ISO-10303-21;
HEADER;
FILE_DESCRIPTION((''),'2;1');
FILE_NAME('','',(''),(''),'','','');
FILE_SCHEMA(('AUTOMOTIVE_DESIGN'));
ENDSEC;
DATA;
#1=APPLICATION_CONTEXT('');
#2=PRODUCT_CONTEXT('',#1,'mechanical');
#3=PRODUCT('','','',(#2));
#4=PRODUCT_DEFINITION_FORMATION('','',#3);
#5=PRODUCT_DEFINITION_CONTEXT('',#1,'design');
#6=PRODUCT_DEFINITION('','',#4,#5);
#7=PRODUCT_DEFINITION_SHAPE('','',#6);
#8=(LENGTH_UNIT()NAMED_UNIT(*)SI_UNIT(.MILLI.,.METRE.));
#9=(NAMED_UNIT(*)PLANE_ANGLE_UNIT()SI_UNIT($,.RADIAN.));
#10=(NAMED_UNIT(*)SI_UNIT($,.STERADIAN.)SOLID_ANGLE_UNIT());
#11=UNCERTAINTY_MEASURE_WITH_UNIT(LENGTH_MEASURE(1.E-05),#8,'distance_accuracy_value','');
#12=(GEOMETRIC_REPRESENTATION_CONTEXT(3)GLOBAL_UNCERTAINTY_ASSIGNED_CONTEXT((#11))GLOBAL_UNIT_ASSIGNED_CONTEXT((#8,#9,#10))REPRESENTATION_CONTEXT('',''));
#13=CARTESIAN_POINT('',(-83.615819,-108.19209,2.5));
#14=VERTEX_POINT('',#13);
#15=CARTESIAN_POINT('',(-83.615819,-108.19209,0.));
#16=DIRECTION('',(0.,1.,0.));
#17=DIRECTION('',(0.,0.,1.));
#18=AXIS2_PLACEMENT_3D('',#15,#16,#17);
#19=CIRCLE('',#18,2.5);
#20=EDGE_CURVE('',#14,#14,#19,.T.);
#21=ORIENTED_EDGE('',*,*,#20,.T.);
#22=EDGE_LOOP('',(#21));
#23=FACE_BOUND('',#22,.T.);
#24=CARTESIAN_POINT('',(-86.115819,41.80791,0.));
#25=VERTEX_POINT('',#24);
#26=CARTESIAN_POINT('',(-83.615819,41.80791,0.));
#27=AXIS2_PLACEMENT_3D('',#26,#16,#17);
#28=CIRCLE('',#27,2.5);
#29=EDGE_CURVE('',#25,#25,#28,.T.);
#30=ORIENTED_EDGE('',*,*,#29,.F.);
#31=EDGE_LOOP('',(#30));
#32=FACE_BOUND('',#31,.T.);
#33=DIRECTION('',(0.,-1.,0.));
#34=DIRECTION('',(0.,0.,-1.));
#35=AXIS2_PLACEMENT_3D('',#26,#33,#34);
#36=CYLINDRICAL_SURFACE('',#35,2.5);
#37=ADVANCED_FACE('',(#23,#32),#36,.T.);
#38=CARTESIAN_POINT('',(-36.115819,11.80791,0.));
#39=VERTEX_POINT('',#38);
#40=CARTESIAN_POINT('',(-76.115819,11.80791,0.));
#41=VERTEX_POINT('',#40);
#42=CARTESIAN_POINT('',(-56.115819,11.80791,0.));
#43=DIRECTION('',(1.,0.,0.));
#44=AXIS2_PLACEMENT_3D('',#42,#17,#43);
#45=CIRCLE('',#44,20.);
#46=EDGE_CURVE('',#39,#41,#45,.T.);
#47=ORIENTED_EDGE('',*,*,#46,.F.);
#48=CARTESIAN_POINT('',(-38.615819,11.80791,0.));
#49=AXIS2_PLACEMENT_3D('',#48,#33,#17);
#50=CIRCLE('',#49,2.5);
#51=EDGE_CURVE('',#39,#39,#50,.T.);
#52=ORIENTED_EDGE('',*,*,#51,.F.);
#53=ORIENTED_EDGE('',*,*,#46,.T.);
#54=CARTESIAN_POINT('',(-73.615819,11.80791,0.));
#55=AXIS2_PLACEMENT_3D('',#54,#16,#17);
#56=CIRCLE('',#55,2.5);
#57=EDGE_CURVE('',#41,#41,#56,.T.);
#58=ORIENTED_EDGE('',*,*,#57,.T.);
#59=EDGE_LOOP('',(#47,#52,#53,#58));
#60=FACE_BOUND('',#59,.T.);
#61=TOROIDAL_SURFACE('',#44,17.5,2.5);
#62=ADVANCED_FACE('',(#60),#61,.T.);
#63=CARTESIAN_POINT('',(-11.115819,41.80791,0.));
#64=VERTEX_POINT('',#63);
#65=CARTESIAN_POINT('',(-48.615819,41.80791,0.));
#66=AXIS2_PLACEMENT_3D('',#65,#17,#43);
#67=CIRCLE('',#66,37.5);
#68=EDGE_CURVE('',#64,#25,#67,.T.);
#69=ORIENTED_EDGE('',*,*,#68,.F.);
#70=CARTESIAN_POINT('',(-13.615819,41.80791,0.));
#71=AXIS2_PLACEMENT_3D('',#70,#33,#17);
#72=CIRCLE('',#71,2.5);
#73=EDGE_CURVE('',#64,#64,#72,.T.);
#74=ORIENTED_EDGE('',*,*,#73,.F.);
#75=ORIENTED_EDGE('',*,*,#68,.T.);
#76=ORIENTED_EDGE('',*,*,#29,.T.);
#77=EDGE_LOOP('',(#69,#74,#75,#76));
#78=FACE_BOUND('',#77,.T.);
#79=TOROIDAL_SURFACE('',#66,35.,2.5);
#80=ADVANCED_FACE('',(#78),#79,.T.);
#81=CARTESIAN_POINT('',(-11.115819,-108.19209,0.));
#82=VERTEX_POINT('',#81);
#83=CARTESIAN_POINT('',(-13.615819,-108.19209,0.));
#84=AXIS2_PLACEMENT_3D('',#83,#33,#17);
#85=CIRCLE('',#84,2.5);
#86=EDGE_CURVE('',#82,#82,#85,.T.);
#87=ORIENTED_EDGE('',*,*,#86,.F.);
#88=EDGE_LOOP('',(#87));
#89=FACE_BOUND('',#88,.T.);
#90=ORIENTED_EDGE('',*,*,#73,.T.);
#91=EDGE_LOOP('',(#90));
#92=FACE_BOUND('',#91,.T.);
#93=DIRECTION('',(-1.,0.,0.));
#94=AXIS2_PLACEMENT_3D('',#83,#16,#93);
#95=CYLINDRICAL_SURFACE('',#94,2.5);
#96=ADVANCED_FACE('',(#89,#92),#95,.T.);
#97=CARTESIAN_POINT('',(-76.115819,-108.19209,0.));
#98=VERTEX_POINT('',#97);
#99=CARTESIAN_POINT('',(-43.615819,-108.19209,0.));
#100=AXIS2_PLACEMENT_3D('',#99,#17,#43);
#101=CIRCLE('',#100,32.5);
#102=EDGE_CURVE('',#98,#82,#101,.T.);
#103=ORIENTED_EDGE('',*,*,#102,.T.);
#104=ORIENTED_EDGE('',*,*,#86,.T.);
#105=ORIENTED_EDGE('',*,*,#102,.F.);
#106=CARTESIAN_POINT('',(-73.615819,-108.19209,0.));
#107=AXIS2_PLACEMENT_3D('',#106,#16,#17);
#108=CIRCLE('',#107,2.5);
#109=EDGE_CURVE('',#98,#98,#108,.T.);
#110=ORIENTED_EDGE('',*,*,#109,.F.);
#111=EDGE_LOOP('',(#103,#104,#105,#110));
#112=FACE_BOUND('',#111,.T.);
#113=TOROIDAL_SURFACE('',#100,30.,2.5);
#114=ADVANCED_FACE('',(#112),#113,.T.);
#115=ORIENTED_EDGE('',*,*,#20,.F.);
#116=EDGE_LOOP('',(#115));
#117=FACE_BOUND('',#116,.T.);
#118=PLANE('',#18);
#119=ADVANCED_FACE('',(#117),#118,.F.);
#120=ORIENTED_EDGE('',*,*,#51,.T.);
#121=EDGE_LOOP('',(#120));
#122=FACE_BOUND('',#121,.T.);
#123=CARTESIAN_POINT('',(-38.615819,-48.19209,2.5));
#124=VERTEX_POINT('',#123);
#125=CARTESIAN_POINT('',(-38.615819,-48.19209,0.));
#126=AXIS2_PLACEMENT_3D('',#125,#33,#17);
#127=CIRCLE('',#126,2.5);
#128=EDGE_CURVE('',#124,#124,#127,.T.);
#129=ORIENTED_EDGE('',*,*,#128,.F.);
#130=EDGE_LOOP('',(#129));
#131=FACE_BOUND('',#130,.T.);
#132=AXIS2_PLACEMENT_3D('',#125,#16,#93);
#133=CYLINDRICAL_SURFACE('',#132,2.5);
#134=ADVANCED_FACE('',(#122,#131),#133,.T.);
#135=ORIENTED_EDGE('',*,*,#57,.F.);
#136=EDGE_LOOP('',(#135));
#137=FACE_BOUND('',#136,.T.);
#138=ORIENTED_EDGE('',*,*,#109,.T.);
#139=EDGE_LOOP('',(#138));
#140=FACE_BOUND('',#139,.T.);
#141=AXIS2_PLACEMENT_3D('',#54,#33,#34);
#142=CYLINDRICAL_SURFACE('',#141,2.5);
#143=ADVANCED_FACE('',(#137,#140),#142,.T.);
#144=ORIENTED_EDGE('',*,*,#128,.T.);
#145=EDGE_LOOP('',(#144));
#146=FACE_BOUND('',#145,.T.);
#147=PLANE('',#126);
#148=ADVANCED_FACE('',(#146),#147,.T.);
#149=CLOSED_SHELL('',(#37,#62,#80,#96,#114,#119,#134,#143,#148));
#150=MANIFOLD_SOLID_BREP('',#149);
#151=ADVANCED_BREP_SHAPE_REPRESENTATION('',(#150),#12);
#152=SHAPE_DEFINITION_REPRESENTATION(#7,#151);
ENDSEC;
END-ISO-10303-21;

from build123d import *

# Parameters (mm, degrees)
SWEEP2_PROFILE_R = 2.5


with BuildPart() as part:
    # Sweep2: sweep along a path in Sketch2
    with BuildLine(Plane.XY) as sweep2_path:
        Line((-83.615819209, -108.192090395), (-83.615819209, 41.807909605))
        ThreePointArc((-83.615819209, 41.807909605), (-48.615819209, 76.807909605), (-13.615819209, 41.807909605))
        Line((-13.615819209, 41.807909605), (-13.615819209, -108.192090395))
        ThreePointArc((-13.615819209, -108.192090395), (-43.615819209, -138.192090395), (-73.615819209, -108.192090395))
        Line((-73.615819209, -108.192090395), (-73.615819209, 11.807909605))
        ThreePointArc((-73.615819209, 11.807909605), (-56.115819209, 29.307909605), (-38.615819209, 11.807909605))
        Line((-38.615819209, 11.807909605), (-38.615819209, -48.192090395))
    # Sweep2 profile (on start of the path) → Sweep2 (sweep)
    with BuildSketch(Plane(origin=(-83.615819209, -108.192090395, 0), x_dir=(0, 0, 1), z_dir=(0, 1, 0))):
        Circle(SWEEP2_PROFILE_R)
    sweep(path=sweep2_path.line)


solid = part.part
